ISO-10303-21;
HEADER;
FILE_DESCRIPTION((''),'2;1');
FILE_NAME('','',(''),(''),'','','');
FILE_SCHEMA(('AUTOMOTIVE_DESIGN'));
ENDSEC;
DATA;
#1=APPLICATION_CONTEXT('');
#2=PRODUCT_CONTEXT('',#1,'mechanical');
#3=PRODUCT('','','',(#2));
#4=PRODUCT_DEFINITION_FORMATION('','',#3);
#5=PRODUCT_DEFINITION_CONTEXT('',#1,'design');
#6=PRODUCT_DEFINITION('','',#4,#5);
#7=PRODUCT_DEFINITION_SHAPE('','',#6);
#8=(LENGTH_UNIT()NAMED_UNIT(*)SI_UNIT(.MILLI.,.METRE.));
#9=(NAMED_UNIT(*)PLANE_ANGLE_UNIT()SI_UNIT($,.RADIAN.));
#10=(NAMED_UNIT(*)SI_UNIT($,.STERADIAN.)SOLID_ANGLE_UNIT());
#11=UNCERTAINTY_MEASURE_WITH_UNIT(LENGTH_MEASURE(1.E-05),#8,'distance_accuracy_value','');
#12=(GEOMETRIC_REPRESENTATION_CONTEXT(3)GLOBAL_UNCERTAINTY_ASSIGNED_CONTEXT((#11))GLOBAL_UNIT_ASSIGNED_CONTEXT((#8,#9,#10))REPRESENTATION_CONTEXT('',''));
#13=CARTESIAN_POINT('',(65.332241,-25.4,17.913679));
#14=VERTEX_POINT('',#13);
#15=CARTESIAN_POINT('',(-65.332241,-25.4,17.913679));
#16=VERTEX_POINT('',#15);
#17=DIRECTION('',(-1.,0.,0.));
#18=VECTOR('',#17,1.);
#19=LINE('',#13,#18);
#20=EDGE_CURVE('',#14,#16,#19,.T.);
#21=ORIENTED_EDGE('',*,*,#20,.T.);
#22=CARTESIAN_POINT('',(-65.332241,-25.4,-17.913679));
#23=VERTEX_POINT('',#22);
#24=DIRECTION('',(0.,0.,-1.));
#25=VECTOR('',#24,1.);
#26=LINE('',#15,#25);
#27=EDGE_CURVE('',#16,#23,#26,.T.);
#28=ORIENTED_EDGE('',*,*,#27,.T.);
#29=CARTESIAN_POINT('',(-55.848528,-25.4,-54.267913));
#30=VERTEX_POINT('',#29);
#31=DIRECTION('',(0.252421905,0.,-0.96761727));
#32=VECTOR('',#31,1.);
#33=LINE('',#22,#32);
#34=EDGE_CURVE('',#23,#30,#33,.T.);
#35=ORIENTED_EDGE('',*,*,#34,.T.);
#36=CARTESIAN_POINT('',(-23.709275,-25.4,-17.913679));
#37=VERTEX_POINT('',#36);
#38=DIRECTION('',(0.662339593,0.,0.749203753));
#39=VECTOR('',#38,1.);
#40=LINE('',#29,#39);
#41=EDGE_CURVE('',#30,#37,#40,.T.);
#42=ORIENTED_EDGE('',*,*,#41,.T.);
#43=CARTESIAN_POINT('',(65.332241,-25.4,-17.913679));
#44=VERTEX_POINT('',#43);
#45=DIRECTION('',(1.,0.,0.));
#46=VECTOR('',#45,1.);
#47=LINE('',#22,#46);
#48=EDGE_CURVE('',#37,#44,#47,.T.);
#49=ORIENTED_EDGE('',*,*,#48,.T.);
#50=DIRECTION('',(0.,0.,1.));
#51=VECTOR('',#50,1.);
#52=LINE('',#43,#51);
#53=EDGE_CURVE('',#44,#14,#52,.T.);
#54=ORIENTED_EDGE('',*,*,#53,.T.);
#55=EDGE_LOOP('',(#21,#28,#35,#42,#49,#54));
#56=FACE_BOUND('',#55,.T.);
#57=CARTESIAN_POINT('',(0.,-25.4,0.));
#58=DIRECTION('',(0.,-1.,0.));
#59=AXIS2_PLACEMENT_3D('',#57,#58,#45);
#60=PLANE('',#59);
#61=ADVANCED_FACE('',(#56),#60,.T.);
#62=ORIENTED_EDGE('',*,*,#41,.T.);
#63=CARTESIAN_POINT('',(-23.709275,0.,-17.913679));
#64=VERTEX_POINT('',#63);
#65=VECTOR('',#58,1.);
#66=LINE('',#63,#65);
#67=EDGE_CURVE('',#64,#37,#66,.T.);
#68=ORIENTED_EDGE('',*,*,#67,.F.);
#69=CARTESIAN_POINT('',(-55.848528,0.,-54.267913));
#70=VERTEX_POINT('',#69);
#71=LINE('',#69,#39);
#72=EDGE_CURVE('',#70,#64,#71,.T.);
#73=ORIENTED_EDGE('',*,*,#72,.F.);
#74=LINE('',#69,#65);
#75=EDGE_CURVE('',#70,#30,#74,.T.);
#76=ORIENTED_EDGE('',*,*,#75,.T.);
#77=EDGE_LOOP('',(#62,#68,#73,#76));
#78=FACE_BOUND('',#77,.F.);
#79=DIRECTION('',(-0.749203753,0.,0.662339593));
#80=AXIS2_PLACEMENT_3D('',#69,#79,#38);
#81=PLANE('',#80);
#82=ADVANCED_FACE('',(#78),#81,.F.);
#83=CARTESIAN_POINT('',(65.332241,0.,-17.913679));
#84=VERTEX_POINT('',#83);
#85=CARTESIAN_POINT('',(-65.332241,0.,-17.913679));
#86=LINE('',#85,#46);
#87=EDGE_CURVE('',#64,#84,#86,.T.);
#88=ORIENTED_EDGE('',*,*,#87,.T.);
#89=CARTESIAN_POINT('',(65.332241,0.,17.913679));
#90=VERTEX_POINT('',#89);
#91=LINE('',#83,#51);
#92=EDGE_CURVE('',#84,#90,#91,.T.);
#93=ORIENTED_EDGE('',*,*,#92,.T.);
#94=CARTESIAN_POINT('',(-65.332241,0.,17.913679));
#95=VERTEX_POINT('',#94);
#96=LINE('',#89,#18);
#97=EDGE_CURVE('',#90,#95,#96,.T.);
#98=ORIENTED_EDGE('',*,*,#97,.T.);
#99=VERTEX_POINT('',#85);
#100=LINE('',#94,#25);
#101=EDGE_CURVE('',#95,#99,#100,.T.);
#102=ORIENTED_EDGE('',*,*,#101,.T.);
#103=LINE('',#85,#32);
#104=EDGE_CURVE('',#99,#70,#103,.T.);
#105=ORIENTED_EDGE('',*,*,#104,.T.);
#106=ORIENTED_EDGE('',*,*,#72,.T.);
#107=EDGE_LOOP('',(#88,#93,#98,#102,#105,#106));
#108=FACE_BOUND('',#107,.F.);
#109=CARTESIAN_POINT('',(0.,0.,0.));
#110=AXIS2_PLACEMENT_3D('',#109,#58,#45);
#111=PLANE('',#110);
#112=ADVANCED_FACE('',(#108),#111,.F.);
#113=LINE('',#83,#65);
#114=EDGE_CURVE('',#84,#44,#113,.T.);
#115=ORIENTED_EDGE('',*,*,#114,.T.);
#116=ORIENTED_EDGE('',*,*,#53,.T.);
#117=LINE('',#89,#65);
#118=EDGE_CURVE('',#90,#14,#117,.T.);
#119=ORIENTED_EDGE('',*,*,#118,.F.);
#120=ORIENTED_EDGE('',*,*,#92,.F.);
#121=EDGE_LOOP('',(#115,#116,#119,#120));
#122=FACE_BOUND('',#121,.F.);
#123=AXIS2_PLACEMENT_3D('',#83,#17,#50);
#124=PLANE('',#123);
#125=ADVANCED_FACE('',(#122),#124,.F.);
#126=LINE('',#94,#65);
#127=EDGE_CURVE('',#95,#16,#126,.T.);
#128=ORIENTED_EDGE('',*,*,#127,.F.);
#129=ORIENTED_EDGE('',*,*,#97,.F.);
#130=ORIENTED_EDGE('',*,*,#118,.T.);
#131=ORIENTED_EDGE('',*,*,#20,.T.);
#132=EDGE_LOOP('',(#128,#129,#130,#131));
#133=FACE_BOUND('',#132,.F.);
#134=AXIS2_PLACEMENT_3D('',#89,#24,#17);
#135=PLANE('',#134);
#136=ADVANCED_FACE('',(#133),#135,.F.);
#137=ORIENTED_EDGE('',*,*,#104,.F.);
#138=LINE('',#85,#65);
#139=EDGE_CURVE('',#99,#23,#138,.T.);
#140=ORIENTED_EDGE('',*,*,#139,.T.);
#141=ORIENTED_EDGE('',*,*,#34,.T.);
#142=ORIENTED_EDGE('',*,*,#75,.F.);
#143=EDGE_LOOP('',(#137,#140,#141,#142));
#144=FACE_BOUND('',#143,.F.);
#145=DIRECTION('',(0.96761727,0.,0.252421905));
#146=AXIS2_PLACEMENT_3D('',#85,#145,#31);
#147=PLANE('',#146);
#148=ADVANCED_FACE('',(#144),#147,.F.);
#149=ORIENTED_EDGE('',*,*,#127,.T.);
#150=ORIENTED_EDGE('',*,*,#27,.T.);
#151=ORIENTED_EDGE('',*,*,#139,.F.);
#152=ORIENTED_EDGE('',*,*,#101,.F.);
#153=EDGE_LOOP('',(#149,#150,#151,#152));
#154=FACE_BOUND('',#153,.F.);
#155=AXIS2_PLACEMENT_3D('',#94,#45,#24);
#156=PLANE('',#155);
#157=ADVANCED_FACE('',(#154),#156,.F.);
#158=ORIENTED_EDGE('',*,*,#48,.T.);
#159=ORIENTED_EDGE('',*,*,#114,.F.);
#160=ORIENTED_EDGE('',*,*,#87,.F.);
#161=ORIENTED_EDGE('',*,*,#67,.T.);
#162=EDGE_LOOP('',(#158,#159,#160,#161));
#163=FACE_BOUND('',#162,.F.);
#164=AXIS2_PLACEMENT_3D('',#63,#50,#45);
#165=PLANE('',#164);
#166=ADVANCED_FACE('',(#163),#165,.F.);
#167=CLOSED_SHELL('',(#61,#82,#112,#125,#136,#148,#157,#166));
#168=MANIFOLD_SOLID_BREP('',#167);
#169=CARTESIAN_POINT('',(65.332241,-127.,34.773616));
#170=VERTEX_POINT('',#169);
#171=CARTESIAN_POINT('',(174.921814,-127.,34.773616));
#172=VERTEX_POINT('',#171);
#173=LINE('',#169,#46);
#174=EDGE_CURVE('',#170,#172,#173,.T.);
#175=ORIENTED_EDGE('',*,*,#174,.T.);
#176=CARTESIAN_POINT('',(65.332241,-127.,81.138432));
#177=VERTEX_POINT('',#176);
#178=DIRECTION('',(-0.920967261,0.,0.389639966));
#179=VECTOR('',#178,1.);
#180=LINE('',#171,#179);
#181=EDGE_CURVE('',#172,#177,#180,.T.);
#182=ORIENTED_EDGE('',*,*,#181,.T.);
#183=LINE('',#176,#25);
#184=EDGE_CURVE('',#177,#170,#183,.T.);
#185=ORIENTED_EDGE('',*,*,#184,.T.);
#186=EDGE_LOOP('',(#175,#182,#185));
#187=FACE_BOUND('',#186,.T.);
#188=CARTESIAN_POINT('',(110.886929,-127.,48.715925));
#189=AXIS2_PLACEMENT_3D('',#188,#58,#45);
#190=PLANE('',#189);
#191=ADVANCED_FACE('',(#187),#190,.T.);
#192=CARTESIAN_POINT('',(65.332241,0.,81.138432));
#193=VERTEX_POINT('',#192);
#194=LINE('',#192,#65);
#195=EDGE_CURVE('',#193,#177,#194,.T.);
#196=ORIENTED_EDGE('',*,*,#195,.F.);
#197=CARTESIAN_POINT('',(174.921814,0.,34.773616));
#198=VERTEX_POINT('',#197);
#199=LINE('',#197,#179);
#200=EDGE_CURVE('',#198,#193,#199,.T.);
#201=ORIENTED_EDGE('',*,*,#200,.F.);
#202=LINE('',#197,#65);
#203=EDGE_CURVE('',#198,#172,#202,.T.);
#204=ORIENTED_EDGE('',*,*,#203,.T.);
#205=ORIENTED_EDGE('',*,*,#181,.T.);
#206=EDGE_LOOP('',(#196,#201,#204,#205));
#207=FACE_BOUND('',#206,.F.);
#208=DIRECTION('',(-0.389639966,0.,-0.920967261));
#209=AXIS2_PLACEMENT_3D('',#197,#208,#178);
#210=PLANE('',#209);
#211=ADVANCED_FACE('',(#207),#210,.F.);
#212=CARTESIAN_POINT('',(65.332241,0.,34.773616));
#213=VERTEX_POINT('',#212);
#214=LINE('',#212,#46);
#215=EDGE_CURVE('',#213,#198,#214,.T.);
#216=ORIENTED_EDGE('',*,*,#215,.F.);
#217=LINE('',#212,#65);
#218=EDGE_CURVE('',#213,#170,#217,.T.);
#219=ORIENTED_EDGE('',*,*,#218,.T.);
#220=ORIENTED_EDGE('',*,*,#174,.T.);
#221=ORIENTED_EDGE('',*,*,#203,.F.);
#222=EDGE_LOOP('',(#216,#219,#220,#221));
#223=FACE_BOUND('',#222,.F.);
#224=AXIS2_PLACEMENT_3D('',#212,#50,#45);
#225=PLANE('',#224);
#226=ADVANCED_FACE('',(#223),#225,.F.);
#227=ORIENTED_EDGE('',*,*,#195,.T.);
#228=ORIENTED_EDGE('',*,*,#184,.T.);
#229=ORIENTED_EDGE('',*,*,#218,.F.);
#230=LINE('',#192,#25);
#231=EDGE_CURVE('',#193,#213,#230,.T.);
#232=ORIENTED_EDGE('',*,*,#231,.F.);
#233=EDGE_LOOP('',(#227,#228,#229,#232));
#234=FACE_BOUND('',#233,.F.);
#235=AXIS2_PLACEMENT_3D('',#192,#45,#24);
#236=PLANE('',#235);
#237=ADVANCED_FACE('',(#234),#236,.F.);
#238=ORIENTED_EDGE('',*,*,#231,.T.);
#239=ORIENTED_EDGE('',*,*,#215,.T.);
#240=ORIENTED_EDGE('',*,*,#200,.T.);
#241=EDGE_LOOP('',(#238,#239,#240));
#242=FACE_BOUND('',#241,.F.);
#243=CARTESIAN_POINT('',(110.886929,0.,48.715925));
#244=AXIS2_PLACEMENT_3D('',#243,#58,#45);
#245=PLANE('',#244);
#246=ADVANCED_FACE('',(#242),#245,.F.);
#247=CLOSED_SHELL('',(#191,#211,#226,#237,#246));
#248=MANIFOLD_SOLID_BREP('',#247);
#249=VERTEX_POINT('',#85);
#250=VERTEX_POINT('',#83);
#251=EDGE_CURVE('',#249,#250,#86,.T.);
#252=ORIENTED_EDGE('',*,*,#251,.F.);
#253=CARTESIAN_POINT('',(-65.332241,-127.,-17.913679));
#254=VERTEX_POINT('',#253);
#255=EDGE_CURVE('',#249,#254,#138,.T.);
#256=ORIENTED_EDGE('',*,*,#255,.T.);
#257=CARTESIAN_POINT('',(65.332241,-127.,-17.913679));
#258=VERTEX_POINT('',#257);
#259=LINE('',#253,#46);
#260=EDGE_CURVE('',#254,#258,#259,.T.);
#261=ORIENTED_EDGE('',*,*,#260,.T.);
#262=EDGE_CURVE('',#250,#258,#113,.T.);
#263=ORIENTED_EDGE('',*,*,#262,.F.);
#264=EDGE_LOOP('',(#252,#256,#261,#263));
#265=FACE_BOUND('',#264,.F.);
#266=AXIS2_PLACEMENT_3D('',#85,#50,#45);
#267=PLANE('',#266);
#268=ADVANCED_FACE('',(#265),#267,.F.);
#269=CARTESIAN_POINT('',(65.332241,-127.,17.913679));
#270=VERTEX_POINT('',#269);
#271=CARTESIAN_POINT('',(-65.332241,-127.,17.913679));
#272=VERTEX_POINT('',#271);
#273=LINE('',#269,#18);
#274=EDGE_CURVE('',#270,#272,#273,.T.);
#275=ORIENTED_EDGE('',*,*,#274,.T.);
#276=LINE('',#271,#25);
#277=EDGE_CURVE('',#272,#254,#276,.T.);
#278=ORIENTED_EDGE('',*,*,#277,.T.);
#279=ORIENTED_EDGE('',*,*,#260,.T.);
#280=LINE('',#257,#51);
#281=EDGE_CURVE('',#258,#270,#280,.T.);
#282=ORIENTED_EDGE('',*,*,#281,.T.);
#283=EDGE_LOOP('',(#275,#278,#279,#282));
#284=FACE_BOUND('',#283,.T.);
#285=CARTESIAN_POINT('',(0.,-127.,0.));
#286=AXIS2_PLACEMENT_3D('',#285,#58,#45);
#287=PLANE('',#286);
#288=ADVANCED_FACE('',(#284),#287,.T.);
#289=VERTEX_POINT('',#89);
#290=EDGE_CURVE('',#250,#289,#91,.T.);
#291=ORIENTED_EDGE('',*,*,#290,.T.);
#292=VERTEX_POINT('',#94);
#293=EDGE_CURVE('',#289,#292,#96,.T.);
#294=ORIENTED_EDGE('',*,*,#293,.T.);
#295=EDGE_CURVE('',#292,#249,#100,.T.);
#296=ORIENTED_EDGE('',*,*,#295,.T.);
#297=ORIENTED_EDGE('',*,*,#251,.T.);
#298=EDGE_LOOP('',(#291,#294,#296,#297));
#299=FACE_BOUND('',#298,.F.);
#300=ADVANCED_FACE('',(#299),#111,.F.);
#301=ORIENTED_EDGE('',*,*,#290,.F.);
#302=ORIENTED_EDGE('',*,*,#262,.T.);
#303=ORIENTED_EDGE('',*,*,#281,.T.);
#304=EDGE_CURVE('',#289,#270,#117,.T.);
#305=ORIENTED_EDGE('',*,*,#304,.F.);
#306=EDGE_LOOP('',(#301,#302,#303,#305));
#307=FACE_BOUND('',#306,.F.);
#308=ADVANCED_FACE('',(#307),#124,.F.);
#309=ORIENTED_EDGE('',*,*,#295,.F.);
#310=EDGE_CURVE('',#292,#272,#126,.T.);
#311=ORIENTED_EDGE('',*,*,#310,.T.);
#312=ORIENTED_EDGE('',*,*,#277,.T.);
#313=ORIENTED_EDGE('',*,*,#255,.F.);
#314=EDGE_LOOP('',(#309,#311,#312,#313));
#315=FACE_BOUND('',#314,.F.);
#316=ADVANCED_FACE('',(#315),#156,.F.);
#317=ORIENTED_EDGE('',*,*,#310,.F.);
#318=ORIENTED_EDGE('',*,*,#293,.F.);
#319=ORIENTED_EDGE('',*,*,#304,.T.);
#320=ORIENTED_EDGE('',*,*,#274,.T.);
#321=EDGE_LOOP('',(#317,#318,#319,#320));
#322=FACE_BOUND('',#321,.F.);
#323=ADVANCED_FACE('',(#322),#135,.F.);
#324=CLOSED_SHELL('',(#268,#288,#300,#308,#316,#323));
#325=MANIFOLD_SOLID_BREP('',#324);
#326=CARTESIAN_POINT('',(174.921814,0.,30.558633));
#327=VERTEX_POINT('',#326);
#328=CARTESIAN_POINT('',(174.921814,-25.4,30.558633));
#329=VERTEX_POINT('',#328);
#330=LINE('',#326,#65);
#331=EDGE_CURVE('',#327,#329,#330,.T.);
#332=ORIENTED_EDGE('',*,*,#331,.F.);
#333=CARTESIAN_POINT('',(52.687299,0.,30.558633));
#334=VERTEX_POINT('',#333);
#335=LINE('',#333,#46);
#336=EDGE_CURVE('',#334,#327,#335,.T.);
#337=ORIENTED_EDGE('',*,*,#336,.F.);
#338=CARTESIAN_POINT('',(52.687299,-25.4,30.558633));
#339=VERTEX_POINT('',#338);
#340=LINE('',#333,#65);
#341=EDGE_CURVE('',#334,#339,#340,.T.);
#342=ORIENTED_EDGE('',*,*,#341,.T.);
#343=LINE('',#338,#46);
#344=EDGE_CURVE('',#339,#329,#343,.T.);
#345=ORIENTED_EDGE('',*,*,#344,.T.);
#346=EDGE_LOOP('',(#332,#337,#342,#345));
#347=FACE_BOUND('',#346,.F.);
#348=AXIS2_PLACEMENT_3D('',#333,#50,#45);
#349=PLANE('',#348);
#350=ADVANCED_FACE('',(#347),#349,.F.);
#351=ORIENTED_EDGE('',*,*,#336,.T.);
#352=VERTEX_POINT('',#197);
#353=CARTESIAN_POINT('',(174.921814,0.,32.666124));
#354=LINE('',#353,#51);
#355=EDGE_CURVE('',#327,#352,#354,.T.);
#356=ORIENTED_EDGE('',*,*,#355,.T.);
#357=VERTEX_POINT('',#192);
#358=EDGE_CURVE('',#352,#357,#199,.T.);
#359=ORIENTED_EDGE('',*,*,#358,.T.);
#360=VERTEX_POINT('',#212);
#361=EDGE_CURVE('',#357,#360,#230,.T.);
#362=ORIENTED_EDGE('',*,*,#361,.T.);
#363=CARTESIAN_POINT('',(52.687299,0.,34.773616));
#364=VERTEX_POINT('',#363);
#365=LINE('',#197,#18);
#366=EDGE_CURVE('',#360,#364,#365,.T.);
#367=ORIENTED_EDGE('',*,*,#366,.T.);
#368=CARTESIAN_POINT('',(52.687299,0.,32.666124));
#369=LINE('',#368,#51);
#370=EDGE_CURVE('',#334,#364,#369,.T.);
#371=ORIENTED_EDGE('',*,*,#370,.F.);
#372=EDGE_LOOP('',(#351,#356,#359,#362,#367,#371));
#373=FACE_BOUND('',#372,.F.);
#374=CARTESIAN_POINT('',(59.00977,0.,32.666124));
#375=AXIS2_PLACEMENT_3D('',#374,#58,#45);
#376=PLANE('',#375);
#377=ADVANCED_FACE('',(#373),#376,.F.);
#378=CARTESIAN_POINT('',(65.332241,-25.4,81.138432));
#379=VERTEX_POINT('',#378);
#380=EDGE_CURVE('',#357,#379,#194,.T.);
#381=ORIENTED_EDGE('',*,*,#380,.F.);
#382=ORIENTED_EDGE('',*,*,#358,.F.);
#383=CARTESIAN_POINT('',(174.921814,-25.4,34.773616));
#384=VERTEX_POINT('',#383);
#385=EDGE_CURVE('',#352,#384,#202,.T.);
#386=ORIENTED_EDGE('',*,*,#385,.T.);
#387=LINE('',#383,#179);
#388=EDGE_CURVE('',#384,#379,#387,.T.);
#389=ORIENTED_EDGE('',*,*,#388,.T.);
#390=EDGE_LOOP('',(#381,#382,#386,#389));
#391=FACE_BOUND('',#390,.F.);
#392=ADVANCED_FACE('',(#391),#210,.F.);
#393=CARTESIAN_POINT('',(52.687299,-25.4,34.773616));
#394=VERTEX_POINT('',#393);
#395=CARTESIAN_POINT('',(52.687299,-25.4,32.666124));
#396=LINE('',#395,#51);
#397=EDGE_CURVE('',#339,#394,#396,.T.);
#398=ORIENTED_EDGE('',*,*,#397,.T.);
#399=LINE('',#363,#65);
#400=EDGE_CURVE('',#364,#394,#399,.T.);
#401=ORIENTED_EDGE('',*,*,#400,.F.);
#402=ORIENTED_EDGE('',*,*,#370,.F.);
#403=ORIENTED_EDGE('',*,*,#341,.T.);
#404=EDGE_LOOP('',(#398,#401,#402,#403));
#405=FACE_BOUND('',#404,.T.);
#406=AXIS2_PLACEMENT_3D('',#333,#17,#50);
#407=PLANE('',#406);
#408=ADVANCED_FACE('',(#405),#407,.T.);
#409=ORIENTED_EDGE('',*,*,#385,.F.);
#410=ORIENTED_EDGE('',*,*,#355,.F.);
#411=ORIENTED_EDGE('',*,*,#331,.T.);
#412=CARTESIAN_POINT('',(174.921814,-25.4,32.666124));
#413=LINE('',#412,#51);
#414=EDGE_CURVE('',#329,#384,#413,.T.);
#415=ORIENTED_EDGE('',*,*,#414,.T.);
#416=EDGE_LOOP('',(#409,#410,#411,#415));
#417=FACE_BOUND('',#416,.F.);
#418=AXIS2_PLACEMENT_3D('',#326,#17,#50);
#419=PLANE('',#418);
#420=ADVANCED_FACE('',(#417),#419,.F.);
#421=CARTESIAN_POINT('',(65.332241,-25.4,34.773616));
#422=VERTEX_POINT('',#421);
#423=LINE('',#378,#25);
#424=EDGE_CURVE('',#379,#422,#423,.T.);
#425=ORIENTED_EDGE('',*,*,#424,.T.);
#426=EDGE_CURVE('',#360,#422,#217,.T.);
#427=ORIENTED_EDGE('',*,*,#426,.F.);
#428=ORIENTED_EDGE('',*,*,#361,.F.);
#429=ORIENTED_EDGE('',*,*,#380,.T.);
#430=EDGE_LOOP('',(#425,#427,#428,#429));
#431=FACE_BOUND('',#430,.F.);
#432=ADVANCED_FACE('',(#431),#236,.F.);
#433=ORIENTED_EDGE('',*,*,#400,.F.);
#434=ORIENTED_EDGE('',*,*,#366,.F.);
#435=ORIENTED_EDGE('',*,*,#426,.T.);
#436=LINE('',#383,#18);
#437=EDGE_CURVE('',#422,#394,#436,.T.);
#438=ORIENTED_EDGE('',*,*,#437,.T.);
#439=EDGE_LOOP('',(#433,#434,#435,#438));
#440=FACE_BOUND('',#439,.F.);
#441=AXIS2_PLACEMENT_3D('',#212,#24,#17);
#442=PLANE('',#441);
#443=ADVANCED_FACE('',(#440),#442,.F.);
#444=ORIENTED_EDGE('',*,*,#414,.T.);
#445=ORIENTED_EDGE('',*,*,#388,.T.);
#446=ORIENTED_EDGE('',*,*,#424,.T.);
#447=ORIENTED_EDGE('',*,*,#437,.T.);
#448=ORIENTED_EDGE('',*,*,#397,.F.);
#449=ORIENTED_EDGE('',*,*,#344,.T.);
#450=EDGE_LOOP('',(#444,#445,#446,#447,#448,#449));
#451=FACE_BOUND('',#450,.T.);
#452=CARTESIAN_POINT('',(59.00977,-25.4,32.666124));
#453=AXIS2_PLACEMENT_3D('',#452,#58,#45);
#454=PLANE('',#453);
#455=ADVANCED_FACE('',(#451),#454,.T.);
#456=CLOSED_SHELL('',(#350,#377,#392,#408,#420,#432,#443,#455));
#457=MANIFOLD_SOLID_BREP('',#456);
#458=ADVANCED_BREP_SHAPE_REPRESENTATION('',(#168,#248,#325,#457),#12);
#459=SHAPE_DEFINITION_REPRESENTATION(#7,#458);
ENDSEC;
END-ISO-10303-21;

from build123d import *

# Parameters (mm, degrees)
F1_DEPTH = 127
F2_DEPTH = 25.4
F0_W     = 12.6449428499
F0_H     = 4.2149834335
F0_W_2   = 109.5895729959


with BuildPart() as f1:
    # F0 (on Front) → F1 (new body)
    with BuildSketch(Plane.XZ):
        Polygon((-65.3322413564, 17.913678661), (-65.3322413564, -17.913678661), (-23.7092748284, -17.913678661), (65.3322413564, -17.913678661), (65.3322413564, 17.913678661), align=None)
    extrude(amount=F1_DEPTH)


with BuildPart() as f1b:
    # F0 (on Front) → F1, piece 2 (new body)
    with BuildSketch(Plane.XZ):
        Polygon((65.3322413564, 76.3965770602), (65.3322413564, 34.7736161202), (174.9218143523, 34.7736161202), (65.3322413564, 81.1384320259), align=None)
    extrude(amount=F1_DEPTH)


with BuildPart() as f2:
    # F0 (on Front) → F2 (new body)
    with BuildSketch(Plane.XZ):
        Polygon((-65.3322413564, 17.913678661), (-65.3322413564, -17.913678661), (-23.7092748284, -17.913678661), (65.3322413564, -17.913678661), (65.3322413564, 17.913678661), align=None)
        Polygon((-23.7092748284, -17.913678661), (-65.3322413564, -17.913678661), (-55.8485276997, -54.2679131031), align=None)
    extrude(amount=F2_DEPTH)


with BuildPart() as f2b:
    # F0 (on Front) → F2, piece 2 (new body)
    with BuildSketch(Plane.XZ):
        with Locations((59.0097699314, 32.6661244035)):
            Rectangle(F0_W, F0_H)
        with Locations((120.1270278543, 32.6661244035)):
            Rectangle(F0_W_2, F0_H)
        Polygon((65.3322413564, 76.3965770602), (65.3322413564, 34.7736161202), (174.9218143523, 34.7736161202), (65.3322413564, 81.1384320259), align=None)
    extrude(amount=F2_DEPTH)


solid = Compound([f1.part, f1b.part, f2.part, f2b.part])
